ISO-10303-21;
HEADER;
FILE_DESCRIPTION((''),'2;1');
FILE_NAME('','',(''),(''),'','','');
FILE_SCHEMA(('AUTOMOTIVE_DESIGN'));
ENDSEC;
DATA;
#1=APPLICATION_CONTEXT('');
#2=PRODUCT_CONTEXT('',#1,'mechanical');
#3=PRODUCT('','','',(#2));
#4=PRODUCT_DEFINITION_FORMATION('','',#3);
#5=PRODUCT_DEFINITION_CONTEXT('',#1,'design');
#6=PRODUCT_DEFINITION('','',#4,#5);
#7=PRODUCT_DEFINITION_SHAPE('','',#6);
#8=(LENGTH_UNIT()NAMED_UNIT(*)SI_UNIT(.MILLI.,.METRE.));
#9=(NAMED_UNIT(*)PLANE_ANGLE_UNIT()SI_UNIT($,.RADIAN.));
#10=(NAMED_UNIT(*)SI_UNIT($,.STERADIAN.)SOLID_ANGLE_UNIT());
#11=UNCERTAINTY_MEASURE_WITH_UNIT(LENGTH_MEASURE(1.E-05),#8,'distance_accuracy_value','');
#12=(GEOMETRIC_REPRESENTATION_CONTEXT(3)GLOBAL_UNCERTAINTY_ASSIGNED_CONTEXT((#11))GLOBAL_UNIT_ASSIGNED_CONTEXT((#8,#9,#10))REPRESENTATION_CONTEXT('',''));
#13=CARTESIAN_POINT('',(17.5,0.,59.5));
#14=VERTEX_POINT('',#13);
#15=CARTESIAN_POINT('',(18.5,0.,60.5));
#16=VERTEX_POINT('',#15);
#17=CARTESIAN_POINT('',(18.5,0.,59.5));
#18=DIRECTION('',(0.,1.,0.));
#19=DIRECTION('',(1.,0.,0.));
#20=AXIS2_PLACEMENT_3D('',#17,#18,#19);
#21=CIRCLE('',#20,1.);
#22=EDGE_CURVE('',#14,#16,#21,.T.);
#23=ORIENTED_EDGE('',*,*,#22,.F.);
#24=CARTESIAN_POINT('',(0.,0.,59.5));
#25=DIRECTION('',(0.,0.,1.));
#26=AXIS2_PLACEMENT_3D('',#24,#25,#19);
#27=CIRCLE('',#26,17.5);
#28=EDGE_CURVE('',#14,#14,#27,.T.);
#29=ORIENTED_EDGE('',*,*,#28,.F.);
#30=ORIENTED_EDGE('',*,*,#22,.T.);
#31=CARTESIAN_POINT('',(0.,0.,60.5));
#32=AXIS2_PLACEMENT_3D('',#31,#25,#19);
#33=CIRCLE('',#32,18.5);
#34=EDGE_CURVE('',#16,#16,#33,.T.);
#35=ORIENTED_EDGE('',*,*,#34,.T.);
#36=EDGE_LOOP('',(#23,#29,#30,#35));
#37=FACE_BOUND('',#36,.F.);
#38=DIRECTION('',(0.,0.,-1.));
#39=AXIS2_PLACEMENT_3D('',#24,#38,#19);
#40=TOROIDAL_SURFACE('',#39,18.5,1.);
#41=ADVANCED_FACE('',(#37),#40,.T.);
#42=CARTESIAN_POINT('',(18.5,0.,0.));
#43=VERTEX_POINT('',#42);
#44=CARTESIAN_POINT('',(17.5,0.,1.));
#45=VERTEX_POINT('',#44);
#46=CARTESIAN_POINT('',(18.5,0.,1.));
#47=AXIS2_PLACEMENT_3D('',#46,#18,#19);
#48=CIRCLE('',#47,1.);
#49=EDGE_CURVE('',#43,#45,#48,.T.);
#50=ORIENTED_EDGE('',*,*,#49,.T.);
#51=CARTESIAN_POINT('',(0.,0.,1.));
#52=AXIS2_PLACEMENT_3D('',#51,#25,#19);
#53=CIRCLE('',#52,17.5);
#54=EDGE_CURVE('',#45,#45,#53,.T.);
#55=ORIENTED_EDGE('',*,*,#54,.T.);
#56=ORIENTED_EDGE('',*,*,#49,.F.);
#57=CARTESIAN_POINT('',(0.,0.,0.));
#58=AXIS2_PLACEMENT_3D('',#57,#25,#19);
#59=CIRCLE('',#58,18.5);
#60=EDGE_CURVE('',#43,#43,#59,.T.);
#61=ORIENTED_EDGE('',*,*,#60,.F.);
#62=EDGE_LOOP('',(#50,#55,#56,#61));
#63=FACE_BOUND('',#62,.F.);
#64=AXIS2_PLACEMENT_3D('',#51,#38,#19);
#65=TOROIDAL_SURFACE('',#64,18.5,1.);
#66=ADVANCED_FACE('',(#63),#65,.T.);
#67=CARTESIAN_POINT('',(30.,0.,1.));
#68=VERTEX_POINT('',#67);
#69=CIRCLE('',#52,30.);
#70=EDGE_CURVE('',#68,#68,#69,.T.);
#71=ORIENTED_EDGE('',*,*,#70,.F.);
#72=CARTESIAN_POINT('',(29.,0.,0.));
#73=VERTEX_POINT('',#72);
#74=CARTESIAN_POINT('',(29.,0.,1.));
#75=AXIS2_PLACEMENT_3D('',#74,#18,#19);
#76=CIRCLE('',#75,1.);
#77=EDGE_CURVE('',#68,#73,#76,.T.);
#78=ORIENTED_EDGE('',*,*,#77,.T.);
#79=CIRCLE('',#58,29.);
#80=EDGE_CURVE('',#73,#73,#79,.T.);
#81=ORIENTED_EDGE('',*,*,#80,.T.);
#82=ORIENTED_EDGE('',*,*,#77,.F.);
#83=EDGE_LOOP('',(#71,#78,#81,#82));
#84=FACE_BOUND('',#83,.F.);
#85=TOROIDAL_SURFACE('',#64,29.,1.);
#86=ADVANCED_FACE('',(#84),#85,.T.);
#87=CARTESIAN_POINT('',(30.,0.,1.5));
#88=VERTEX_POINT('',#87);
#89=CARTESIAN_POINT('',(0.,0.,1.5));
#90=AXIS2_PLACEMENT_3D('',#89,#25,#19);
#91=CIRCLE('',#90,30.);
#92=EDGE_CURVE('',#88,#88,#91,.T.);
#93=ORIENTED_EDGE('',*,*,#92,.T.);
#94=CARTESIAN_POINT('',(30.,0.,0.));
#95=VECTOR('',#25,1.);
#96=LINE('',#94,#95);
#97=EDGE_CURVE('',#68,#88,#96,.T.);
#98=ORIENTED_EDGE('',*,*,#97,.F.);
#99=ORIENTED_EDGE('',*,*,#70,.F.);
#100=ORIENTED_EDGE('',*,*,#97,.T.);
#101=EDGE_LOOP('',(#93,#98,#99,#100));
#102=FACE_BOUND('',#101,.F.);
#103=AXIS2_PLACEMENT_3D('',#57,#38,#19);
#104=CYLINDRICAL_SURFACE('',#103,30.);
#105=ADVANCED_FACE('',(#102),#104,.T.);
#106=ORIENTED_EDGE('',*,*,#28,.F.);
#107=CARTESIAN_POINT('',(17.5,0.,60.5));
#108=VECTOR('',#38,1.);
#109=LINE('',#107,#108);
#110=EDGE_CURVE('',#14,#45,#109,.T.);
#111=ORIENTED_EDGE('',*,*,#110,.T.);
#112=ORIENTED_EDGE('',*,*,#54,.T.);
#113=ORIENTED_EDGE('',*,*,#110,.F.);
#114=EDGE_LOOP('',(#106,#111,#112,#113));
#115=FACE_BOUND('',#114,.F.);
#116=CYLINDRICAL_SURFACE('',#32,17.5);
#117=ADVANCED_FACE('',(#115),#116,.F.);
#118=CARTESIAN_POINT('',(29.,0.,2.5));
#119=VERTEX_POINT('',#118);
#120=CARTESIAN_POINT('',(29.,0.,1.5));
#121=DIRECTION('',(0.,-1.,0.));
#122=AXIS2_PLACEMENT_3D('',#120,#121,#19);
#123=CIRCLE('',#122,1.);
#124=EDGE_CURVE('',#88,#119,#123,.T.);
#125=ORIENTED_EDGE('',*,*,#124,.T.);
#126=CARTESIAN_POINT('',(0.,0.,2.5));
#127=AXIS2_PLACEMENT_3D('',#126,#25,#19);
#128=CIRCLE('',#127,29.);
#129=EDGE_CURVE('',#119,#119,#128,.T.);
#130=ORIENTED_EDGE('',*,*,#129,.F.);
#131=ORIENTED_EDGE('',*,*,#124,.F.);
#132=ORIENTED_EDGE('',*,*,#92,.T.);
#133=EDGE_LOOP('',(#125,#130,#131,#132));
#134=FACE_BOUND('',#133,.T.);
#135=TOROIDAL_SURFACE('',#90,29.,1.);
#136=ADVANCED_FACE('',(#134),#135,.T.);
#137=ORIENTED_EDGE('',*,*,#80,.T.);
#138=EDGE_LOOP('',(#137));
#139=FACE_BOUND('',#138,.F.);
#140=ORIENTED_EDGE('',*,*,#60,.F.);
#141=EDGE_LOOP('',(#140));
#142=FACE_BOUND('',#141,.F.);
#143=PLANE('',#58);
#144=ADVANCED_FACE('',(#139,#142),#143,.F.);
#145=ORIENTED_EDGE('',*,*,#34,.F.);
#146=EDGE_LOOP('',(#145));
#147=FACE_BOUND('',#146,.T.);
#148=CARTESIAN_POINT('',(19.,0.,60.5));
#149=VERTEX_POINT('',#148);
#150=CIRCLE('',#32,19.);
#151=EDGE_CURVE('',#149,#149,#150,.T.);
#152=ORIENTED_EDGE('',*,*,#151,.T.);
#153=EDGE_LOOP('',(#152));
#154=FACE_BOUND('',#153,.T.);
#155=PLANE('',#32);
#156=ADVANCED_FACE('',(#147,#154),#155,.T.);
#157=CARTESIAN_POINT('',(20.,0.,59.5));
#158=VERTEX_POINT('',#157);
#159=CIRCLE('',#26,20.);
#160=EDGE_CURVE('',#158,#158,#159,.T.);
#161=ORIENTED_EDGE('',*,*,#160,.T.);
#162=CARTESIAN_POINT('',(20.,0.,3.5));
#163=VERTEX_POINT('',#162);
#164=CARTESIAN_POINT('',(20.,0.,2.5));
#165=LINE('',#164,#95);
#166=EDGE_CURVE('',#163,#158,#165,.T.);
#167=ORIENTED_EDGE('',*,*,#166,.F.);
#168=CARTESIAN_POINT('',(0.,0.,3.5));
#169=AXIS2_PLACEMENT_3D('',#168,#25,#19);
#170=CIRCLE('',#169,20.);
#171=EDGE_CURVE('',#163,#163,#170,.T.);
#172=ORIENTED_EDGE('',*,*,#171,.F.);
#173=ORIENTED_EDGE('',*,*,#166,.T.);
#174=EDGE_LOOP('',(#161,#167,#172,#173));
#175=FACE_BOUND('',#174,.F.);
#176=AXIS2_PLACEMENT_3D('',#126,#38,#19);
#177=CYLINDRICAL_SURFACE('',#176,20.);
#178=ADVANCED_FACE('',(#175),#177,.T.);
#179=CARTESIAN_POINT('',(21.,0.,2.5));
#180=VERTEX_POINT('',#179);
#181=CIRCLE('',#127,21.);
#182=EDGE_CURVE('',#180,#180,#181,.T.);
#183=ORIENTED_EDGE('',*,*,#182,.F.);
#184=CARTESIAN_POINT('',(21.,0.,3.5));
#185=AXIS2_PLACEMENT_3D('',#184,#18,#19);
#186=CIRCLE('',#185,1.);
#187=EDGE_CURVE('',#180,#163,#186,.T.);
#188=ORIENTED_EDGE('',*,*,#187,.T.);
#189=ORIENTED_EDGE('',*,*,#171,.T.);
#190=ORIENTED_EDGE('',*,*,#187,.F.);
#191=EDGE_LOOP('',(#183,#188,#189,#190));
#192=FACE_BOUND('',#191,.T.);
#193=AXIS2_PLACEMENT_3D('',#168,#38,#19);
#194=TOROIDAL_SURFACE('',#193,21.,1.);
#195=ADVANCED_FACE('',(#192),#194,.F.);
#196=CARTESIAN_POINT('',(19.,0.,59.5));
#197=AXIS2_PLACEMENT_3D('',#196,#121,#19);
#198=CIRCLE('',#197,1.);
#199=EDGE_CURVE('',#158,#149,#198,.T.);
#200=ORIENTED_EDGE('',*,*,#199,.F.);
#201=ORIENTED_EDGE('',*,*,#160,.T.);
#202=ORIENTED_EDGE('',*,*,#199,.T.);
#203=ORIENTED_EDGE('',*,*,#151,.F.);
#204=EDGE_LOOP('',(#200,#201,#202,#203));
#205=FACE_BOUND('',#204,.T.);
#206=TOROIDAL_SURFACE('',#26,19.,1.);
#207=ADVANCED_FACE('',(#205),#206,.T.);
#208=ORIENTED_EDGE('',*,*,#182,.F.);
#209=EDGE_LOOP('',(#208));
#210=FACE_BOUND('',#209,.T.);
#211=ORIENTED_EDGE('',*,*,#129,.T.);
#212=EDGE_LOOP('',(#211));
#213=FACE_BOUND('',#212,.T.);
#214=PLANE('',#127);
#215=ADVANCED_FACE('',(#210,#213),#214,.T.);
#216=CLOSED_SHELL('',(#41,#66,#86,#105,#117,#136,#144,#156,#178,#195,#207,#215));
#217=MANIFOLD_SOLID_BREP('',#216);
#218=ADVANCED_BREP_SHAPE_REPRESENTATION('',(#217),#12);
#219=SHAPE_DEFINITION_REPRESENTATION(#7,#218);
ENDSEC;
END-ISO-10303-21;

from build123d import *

# Parameters (mm, degrees)
SKETCH_R     = 30
PAD_DEPTH    = 2.5
SKETCH001_R  = 20
PAD001_DEPTH = 58
SKETCH002_R  = 17.5
POCKET_DEPTH = 60.501
FILLET_R     = 1


with BuildPart() as part:
    # Sketch (on XY_Plane of Origin) → Pad (new body)
    with BuildSketch(Plane.XY):
        Circle(SKETCH_R)
    extrude(amount=PAD_DEPTH)

    # Sketch001 (on Face3 of Pad) → Pad001 (join)
    with BuildSketch(Plane.XY.offset(2.5)):
        Circle(SKETCH001_R)
    extrude(amount=PAD001_DEPTH)

    # Sketch002 (on Face5 of Pad001) → Pocket (cut, through all)
    with BuildSketch(Plane.XY.offset(60.5)):
        Circle(SKETCH002_R)
    extrude(amount=-POCKET_DEPTH, mode=Mode.SUBTRACT)

    # Fillet
    fillet_edges = [part.edges().sort_by_distance(p)[0] for p in [
        (30, 0, 1.25),
        (-30, 0, 0),
        (-30, 0, 2.5),
        (-17.5, 0, 0),
        (-20, 0, 2.5),
        (-17.5, 0, 60.5),
        (17.5, 0, 30.25),
        (20, 0, 31.5),
        (-20, 0, 60.5),
    ]]
    fillet(fillet_edges, radius=FILLET_R)


solid = part.part
